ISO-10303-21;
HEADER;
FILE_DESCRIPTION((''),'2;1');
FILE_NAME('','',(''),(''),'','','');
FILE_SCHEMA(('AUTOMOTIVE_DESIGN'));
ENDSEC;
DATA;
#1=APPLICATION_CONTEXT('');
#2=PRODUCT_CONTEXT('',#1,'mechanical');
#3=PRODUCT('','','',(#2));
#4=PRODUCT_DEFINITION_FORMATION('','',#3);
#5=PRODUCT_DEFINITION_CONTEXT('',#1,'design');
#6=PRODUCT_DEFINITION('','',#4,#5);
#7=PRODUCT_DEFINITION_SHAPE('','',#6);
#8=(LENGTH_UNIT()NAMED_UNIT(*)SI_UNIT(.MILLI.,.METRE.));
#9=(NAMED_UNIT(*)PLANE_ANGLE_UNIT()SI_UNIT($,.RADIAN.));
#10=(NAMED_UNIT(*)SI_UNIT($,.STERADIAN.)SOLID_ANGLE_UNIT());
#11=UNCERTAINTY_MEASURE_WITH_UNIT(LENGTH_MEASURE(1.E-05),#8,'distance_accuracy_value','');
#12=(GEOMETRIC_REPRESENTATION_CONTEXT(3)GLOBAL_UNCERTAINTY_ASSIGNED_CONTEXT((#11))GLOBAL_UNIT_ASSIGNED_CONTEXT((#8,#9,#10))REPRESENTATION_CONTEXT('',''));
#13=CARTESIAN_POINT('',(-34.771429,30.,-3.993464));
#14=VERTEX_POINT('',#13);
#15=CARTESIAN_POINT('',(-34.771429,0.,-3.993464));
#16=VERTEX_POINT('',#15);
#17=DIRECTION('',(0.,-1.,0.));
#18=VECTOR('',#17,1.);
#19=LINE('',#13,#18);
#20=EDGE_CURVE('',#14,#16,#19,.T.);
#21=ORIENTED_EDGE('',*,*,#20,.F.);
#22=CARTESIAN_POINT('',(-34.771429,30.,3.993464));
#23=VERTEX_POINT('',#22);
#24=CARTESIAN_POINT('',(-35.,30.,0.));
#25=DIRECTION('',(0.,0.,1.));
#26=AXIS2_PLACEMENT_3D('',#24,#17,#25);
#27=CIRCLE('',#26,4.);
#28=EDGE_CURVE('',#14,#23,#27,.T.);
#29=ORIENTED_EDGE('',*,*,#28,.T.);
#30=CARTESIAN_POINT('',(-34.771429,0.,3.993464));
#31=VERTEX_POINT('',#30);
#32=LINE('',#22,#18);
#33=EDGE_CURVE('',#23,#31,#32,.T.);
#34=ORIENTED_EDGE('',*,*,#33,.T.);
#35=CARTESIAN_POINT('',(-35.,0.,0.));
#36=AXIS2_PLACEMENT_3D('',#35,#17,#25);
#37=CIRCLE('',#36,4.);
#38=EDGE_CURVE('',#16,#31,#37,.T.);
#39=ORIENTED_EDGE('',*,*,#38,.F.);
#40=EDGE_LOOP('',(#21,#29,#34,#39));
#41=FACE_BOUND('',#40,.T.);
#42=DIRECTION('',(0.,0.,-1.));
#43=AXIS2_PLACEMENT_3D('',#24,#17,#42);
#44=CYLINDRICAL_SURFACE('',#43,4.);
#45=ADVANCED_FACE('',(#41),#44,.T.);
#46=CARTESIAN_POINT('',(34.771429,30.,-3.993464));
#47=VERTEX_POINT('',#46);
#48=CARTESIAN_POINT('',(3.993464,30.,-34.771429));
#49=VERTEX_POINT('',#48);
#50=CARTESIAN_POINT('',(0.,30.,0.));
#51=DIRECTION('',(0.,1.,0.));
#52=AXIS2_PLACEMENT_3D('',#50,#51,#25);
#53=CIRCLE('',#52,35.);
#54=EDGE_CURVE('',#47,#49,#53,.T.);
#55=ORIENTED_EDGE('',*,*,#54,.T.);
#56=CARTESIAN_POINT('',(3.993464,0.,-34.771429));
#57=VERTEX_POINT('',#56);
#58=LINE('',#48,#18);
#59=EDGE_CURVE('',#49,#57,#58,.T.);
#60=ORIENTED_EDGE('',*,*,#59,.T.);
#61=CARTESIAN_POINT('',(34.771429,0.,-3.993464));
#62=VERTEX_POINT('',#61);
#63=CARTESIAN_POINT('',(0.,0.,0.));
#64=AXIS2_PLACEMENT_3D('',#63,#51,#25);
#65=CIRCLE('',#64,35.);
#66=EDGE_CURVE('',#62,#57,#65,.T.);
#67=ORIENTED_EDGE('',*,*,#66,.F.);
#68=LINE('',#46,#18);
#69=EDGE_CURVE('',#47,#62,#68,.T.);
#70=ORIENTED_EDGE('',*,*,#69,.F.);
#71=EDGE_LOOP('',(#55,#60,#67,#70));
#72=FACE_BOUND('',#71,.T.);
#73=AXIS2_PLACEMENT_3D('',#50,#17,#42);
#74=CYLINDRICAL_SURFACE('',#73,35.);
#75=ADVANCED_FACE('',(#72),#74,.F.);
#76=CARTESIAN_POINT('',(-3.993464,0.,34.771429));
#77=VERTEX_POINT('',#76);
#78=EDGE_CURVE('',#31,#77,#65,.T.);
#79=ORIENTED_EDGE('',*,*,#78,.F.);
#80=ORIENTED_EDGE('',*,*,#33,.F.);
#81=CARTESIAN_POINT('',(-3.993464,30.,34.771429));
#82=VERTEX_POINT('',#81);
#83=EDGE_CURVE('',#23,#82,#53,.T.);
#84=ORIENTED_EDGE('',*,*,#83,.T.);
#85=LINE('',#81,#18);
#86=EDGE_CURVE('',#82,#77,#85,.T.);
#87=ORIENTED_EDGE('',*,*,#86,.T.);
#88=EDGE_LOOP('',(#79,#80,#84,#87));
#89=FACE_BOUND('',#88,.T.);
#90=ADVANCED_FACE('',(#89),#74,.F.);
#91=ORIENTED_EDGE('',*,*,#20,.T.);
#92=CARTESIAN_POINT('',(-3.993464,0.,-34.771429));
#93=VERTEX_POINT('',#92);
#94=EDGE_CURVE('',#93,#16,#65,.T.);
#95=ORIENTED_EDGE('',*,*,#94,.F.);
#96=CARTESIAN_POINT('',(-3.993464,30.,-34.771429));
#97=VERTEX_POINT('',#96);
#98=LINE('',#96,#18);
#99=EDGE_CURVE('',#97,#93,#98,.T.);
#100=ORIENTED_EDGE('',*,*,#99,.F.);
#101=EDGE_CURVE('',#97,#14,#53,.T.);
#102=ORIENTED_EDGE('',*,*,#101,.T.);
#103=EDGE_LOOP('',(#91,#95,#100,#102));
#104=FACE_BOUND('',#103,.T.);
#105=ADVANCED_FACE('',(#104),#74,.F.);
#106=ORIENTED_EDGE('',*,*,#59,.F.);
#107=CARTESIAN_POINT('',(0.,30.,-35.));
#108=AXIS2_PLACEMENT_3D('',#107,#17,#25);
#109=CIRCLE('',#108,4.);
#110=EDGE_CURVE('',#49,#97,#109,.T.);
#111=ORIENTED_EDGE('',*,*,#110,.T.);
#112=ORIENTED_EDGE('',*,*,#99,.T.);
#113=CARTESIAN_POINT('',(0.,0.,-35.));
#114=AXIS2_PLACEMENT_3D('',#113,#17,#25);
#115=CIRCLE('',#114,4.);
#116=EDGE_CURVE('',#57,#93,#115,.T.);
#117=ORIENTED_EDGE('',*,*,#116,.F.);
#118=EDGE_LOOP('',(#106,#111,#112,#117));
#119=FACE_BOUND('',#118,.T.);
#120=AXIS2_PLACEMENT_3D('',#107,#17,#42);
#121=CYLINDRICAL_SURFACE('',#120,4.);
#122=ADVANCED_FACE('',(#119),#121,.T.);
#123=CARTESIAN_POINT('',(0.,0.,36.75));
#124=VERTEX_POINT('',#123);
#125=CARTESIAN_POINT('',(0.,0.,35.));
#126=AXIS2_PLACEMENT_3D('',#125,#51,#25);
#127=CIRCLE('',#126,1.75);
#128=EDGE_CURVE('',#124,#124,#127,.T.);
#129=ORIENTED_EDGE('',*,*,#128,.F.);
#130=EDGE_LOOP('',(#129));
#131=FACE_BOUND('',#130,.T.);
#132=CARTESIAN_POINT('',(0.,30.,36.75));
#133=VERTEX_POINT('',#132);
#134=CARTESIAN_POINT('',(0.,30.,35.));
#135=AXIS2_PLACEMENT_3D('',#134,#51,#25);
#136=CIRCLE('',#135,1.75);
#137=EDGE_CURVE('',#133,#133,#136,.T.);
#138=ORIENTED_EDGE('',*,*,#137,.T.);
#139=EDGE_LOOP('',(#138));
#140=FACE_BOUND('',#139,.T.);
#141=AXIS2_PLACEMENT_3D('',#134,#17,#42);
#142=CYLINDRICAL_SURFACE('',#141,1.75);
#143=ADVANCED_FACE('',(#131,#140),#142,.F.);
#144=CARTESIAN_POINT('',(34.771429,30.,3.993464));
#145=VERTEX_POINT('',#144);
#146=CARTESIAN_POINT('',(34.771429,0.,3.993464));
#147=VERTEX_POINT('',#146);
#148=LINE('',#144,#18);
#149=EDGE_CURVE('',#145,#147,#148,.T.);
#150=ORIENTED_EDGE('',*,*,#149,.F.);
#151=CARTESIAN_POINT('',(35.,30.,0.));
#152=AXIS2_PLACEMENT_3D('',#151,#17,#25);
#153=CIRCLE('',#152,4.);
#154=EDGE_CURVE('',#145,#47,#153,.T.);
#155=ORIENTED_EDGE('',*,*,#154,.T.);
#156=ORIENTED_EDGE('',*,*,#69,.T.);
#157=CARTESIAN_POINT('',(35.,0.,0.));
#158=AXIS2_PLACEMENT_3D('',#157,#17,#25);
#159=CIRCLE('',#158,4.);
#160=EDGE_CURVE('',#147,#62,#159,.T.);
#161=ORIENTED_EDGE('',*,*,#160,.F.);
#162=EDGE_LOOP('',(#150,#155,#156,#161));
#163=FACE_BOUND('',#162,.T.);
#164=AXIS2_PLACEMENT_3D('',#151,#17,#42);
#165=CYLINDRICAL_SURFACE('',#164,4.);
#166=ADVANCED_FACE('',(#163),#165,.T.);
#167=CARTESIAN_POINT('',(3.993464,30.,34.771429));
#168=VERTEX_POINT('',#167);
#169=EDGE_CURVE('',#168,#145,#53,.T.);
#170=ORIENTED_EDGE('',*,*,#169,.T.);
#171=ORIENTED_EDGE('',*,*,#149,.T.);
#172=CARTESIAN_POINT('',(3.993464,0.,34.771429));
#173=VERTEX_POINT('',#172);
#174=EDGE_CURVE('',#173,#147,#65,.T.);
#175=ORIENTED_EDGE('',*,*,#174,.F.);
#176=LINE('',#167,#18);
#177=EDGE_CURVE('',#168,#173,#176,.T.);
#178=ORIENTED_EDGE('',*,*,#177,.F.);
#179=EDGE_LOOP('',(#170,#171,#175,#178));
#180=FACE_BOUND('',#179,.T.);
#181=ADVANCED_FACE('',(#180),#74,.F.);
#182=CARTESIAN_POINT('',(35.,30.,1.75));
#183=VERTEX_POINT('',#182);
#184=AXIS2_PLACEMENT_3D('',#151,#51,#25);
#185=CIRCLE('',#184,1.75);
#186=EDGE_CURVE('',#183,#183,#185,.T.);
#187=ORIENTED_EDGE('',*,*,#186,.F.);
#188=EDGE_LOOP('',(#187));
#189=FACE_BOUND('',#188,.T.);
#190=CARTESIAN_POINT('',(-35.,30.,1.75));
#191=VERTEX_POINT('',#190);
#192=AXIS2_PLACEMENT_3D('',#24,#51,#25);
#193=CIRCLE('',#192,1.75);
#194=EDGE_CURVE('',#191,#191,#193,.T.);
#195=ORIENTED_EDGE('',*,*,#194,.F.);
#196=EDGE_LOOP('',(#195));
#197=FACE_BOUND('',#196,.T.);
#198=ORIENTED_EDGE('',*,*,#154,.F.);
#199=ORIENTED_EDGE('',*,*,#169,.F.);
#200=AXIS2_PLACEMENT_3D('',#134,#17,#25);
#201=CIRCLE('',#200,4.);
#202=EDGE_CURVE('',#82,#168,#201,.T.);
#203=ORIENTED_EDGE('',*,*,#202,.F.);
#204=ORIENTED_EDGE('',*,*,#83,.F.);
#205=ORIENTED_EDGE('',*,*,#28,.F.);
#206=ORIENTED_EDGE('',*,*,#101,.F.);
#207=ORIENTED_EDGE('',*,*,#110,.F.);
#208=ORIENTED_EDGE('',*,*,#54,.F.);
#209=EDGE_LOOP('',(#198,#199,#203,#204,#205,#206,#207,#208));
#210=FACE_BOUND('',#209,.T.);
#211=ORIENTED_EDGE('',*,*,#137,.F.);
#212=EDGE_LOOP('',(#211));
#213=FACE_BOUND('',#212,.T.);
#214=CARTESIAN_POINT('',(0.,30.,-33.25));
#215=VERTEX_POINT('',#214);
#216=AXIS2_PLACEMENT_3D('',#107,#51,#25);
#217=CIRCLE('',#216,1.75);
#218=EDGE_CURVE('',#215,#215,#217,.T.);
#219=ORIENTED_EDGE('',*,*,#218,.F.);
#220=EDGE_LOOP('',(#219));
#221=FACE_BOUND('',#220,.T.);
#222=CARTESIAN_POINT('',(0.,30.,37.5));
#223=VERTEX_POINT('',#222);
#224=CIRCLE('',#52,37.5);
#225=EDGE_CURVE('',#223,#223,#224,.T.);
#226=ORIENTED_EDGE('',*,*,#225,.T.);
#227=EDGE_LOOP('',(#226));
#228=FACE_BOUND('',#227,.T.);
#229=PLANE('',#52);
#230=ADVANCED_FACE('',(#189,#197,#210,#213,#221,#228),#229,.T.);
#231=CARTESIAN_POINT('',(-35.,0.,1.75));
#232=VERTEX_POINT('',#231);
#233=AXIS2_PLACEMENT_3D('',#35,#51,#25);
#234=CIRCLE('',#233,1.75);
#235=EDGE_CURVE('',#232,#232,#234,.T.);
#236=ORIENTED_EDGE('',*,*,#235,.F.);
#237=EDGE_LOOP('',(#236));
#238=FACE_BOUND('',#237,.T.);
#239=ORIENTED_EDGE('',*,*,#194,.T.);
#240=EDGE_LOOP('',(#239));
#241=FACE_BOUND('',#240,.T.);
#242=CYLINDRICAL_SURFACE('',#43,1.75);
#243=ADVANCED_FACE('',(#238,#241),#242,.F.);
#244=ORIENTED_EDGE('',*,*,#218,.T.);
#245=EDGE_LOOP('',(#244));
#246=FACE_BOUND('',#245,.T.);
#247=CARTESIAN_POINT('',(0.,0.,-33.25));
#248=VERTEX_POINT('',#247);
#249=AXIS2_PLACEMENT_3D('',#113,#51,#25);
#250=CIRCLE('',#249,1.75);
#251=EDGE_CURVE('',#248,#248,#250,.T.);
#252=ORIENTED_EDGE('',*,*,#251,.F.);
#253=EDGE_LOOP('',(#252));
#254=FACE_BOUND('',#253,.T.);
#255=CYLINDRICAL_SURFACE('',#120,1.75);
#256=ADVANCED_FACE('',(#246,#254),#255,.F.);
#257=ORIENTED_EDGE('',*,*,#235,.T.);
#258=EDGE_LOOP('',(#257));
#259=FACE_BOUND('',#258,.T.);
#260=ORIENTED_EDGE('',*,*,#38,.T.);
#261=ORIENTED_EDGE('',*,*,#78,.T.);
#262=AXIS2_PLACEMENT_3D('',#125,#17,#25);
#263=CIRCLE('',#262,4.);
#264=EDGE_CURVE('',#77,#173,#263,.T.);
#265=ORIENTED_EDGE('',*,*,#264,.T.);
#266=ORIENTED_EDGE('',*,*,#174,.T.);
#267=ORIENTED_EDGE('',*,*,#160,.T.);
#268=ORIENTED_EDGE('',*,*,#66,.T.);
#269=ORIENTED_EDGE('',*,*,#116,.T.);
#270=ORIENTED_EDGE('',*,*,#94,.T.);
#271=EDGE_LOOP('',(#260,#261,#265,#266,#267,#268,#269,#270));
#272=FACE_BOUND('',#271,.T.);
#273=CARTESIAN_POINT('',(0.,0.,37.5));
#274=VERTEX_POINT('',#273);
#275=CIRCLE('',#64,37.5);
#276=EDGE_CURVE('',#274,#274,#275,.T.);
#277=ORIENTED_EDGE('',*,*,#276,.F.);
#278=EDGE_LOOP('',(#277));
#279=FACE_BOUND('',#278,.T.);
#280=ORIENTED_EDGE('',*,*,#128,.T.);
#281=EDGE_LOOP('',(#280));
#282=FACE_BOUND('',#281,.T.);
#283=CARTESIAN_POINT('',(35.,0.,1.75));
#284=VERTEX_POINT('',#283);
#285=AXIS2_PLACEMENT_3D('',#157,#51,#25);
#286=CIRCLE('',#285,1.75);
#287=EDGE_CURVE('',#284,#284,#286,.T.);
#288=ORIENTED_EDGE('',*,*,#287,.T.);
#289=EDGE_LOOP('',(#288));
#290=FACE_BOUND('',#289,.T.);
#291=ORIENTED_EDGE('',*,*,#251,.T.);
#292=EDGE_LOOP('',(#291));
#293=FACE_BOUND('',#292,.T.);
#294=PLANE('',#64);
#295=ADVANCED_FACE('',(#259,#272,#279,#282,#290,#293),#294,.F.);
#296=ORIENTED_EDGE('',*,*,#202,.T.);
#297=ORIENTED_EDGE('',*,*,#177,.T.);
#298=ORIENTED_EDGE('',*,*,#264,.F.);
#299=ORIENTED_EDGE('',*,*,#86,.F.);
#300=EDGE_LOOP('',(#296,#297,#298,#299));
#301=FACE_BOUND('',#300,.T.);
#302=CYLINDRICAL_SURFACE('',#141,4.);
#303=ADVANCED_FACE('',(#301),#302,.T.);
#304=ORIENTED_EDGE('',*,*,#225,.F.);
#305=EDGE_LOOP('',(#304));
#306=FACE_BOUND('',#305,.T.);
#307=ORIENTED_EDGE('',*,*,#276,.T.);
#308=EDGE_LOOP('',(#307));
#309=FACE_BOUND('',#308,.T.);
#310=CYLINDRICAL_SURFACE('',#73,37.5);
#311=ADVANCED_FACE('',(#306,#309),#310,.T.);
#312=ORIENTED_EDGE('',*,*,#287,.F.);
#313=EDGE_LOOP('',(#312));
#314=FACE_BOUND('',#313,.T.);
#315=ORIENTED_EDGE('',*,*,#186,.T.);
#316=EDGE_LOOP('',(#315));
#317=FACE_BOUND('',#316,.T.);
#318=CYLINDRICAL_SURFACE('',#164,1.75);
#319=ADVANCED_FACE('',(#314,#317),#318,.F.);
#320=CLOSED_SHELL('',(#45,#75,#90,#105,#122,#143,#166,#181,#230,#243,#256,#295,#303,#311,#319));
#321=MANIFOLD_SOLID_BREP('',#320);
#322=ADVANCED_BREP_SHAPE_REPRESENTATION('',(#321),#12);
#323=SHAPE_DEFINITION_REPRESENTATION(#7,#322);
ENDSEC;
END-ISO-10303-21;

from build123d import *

# Parameters (mm, degrees)
IZIM1_R                     = 37.5
IZIM1_R_2                   = 1.75
Y_KSEKLIK_EKSTR_ZYON1_DEPTH = 30


with BuildPart() as part:
    # Çizim1 → Yükseklik-Ekstrüzyon1 (new body)
    with BuildSketch(Plane(origin=(0, 0, 0), x_dir=(1, 0, 0), z_dir=(0, 1, 0))):
        with Locations(Location((0, 0, 0), (0, 0, 270))):
            Circle(IZIM1_R)
        with Locations(Location((0, 35, 0), (0, 0, 270))):
            Circle(IZIM1_R_2, mode=Mode.SUBTRACT)
        with Locations(Location((35, 0, 0), (0, 0, 270))):
            Circle(IZIM1_R_2, mode=Mode.SUBTRACT)
        with Locations(Location((0, -35, 0), (0, 0, 270))):
            Circle(IZIM1_R_2, mode=Mode.SUBTRACT)
        with Locations(Location((-35, 0, 0), (0, 0, 270))):
            Circle(IZIM1_R_2, mode=Mode.SUBTRACT)
        with BuildLine():
            ThreePointArc((-34.771428571, -3.993464048), (-24.748737342, -24.748737342), (-3.993464048, -34.771428571))
            ThreePointArc((-3.993464048, -34.771428571), (0, -31), (3.993464048, -34.771428571))
            ThreePointArc((3.993464048, -34.771428571), (24.748737342, -24.748737342), (34.771428571, -3.993464048))
            ThreePointArc((34.771428571, -3.993464048), (31, 0), (34.771428571, 3.993464048))
            ThreePointArc((34.771428571, 3.993464048), (24.748737342, 24.748737342), (3.993464048, 34.771428571))
            ThreePointArc((3.993464048, 34.771428571), (0, 31), (-3.993464048, 34.771428571))
            ThreePointArc((-3.993464048, 34.771428571), (-24.748737342, 24.748737342), (-34.771428571, 3.993464048))
            ThreePointArc((-34.771428571, 3.993464048), (-31, 0), (-34.771428571, -3.993464048))
        make_face(mode=Mode.SUBTRACT)
    extrude(amount=Y_KSEKLIK_EKSTR_ZYON1_DEPTH)


solid = part.part
